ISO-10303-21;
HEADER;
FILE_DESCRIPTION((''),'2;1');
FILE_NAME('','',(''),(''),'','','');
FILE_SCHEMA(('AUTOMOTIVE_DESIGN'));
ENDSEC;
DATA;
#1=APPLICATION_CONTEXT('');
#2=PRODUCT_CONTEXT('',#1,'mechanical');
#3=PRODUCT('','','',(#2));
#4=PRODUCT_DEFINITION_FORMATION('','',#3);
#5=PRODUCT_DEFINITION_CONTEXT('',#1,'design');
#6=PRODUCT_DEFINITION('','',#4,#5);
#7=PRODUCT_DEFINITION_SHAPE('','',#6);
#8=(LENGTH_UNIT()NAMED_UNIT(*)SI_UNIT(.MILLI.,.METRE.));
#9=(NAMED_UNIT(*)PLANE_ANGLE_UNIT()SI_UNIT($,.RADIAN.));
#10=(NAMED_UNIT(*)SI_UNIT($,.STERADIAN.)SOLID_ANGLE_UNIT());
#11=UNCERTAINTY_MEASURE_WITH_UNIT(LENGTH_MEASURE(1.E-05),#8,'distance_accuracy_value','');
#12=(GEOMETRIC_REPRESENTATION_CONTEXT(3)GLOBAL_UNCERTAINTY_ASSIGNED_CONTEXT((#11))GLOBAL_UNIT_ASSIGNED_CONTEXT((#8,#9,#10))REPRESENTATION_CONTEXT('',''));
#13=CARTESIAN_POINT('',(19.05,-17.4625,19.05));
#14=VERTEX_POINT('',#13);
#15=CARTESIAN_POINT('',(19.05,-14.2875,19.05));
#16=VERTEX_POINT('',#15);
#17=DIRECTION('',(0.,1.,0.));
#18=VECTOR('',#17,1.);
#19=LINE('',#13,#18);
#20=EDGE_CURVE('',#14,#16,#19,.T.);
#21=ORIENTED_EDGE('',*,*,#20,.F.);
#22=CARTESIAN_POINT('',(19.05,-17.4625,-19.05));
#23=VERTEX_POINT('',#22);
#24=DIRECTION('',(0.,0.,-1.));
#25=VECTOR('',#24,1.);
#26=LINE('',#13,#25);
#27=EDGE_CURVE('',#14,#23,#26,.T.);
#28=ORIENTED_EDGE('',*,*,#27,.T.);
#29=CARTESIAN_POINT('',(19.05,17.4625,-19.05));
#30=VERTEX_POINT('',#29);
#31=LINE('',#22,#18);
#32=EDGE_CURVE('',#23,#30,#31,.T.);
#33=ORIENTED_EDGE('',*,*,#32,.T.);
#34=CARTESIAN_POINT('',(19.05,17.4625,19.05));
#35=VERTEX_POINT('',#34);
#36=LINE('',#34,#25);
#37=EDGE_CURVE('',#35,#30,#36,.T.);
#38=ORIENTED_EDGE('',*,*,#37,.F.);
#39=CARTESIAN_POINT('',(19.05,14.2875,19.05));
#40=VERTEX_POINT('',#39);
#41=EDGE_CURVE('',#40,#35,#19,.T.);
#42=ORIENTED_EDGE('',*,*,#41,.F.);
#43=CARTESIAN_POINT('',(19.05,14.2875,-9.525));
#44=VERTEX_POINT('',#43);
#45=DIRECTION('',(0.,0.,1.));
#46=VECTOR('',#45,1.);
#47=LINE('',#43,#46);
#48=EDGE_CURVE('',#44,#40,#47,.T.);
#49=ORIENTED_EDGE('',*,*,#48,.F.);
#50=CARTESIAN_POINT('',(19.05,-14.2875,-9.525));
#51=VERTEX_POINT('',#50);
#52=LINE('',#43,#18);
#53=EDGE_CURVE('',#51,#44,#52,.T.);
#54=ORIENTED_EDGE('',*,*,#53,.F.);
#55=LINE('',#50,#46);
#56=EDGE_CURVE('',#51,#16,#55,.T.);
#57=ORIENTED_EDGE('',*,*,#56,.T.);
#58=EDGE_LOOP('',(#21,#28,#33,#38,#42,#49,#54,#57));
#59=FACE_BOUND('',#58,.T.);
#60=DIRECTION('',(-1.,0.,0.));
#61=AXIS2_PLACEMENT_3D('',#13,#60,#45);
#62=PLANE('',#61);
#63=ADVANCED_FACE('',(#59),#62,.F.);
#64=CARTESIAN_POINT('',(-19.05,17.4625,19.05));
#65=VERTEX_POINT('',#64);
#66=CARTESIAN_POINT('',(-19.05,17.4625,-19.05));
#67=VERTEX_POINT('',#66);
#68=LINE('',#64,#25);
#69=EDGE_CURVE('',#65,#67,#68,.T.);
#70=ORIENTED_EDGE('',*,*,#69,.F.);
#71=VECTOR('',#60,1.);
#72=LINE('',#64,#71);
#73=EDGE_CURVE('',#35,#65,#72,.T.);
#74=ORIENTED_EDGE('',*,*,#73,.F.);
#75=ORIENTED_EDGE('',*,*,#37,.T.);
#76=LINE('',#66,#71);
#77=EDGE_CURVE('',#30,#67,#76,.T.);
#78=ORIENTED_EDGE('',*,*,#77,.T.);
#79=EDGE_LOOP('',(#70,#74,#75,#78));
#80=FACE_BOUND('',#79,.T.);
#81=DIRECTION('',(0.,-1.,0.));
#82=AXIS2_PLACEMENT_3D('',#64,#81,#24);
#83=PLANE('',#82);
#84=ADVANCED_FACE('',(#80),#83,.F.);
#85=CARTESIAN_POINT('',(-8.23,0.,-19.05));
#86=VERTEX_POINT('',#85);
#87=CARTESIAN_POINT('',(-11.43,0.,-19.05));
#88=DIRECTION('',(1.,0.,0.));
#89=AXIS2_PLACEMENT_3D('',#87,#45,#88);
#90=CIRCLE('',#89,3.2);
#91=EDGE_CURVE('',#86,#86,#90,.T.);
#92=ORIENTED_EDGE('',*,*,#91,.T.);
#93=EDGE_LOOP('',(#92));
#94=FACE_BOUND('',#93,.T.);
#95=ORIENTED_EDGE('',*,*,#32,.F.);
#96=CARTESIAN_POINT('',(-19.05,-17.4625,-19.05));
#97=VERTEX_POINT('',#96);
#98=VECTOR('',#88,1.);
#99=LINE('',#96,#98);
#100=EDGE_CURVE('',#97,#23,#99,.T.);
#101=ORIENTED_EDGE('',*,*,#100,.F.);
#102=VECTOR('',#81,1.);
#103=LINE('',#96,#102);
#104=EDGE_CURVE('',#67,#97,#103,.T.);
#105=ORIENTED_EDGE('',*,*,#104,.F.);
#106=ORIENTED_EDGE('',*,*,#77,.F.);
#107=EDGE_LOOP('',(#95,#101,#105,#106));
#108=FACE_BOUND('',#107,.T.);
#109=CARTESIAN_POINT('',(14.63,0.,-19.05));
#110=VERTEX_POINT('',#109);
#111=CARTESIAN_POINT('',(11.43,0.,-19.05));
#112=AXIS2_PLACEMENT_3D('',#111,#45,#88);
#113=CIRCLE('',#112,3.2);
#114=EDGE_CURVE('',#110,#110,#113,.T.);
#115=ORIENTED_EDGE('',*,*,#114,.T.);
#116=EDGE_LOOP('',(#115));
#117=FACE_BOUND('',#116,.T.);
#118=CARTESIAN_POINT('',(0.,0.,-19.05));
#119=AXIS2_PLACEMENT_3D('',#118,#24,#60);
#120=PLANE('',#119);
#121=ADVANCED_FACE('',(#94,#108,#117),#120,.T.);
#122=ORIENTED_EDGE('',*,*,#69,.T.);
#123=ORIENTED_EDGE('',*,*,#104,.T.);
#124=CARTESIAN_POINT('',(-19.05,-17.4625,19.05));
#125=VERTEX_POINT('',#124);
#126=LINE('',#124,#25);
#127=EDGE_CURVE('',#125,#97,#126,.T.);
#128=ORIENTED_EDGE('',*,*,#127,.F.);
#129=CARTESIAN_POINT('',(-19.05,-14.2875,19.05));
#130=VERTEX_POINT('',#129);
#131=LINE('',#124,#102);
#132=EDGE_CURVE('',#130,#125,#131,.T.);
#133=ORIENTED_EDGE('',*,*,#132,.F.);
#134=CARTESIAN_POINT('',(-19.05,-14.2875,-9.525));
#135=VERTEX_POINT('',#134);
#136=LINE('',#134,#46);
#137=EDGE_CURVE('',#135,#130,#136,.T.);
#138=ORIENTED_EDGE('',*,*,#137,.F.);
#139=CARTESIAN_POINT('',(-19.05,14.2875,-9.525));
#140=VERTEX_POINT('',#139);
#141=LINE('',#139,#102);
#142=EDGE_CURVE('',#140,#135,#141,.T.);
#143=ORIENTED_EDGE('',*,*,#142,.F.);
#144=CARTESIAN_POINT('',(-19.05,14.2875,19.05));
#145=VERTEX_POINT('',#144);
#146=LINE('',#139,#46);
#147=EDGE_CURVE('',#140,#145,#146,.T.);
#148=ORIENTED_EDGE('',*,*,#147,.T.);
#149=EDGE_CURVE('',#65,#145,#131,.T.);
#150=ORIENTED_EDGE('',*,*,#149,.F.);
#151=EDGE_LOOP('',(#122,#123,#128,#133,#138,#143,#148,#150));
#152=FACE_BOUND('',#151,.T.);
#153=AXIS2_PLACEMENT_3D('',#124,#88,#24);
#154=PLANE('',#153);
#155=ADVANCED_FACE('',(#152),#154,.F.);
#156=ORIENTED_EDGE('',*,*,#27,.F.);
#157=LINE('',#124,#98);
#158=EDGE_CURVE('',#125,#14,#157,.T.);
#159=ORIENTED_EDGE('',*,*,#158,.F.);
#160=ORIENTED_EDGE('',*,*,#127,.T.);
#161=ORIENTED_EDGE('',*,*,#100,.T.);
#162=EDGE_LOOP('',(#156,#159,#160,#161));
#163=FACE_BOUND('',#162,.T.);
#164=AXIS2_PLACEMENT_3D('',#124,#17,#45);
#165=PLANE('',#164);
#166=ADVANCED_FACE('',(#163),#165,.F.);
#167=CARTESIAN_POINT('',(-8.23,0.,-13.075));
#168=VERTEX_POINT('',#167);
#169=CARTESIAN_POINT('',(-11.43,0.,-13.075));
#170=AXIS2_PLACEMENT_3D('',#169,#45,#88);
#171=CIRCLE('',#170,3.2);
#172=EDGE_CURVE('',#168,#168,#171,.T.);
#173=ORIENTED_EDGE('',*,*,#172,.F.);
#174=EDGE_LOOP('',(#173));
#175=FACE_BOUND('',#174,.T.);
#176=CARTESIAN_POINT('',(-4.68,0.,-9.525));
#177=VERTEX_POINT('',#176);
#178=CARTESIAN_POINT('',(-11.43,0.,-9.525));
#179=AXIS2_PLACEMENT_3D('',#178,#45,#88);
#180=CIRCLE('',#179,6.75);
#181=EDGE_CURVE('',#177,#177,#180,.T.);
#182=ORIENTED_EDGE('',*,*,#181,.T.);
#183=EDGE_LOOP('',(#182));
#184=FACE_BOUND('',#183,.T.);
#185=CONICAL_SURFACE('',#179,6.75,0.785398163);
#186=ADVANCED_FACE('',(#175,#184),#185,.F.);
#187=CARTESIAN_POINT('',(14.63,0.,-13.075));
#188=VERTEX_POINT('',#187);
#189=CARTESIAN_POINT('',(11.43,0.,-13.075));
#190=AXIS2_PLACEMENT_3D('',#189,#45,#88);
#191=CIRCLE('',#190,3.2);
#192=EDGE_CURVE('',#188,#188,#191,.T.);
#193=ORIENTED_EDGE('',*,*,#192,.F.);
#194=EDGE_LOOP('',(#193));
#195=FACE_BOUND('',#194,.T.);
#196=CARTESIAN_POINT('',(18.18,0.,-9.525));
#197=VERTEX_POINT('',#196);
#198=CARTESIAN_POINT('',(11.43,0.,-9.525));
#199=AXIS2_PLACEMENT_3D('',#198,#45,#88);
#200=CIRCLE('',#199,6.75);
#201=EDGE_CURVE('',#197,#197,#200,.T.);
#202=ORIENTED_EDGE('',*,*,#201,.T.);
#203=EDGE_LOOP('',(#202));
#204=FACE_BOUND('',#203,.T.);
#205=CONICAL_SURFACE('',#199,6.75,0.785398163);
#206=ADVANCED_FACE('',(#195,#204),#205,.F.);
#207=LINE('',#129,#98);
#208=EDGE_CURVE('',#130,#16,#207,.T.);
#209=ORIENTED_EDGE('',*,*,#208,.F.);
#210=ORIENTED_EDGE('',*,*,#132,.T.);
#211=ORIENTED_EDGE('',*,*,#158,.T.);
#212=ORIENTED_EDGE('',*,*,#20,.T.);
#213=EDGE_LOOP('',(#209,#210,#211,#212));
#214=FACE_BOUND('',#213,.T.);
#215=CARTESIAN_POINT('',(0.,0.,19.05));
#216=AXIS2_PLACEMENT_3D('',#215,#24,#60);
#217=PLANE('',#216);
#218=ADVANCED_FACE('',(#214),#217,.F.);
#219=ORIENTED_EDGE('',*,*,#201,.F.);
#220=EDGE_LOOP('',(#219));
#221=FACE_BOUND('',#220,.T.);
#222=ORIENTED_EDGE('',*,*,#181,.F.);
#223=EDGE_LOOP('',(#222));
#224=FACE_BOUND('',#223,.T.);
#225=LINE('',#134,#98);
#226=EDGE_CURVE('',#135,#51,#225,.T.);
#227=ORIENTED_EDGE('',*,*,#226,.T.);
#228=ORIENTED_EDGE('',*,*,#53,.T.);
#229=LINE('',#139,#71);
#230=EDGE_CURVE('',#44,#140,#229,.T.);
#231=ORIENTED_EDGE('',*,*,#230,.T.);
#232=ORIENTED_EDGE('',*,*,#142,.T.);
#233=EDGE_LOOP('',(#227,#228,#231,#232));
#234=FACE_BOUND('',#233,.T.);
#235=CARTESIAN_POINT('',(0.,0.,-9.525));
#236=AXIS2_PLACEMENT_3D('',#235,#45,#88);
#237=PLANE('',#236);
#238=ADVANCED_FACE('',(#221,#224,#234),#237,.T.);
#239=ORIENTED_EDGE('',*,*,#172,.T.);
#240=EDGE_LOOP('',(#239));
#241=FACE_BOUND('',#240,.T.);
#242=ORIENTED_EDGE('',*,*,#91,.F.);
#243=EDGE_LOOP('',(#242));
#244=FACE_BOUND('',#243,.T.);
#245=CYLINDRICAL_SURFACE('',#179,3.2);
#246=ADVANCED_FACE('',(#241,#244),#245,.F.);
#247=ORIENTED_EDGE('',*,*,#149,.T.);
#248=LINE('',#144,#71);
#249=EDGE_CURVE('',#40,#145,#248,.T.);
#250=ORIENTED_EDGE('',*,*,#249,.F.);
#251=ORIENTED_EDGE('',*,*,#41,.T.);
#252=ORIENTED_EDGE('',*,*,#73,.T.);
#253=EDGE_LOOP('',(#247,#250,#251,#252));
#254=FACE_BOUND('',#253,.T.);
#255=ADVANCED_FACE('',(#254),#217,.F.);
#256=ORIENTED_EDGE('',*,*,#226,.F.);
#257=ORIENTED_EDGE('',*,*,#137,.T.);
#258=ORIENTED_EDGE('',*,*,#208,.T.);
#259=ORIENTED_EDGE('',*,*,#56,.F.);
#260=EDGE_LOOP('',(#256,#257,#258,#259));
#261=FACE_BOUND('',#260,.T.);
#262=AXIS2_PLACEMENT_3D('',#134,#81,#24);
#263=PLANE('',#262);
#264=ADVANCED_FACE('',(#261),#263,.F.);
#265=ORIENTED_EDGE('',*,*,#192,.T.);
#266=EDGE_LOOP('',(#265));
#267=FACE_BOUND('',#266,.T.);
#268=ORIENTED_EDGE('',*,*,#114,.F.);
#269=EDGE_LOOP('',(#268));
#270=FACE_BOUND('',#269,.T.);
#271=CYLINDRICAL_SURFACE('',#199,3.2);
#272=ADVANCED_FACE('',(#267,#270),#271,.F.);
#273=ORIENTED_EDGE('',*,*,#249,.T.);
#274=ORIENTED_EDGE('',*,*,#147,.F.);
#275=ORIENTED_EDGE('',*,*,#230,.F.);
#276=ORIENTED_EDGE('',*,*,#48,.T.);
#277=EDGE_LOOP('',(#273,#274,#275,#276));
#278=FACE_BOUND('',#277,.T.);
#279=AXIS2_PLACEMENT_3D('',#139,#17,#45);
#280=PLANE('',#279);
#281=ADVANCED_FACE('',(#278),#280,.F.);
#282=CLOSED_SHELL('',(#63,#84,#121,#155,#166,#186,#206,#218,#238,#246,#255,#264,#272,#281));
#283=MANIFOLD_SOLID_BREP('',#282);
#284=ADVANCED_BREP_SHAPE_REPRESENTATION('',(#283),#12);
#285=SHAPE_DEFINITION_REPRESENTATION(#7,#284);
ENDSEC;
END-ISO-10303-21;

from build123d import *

# Parameters (mm, degrees)
SKETCH1_W                                            = 38.1
SKETCH1_H                                            = 34.925
BOSS_EXTRUDE1_DEPTH                                  = 19.05
SKETCH3_W                                            = 38.1
SKETCH3_H                                            = 28.575
CUT_EXTRUDE1_DEPTH                                   = 28.575
CSK_FOR_M6_HEX_SOCKET_COUNTERSUNK_HEAD_S_D           = 6.4
CSK_FOR_M6_HEX_SOCKET_COUNTERSUNK_HEAD_S_CSINK_D     = 13.5
CSK_FOR_M6_HEX_SOCKET_COUNTERSUNK_HEAD_S_CSINK_ANGLE = 90


with BuildPart() as part:
    # Sketch1 → Boss-Extrude1 (new body, symmetric)
    with BuildSketch(Plane.XY):
        Rectangle(SKETCH1_W, SKETCH1_H)
    extrude(amount=BOSS_EXTRUDE1_DEPTH, both=True)

    # Sketch3 → Cut-Extrude1 (cut)
    with BuildSketch(Plane.XY.offset(19.05)):
        Rectangle(SKETCH3_W, SKETCH3_H)
    extrude(amount=-CUT_EXTRUDE1_DEPTH, mode=Mode.SUBTRACT)

    # CSK for M6 Hex Socket Countersunk Head Screw1 (through all)
    with Locations(Plane.XY.offset(-9.525)):
        with Locations((-11.43, 0), (11.43, 0)):
            CounterSinkHole(CSK_FOR_M6_HEX_SOCKET_COUNTERSUNK_HEAD_S_D / 2, CSK_FOR_M6_HEX_SOCKET_COUNTERSUNK_HEAD_S_CSINK_D / 2, counter_sink_angle=CSK_FOR_M6_HEX_SOCKET_COUNTERSUNK_HEAD_S_CSINK_ANGLE)


solid = part.part
